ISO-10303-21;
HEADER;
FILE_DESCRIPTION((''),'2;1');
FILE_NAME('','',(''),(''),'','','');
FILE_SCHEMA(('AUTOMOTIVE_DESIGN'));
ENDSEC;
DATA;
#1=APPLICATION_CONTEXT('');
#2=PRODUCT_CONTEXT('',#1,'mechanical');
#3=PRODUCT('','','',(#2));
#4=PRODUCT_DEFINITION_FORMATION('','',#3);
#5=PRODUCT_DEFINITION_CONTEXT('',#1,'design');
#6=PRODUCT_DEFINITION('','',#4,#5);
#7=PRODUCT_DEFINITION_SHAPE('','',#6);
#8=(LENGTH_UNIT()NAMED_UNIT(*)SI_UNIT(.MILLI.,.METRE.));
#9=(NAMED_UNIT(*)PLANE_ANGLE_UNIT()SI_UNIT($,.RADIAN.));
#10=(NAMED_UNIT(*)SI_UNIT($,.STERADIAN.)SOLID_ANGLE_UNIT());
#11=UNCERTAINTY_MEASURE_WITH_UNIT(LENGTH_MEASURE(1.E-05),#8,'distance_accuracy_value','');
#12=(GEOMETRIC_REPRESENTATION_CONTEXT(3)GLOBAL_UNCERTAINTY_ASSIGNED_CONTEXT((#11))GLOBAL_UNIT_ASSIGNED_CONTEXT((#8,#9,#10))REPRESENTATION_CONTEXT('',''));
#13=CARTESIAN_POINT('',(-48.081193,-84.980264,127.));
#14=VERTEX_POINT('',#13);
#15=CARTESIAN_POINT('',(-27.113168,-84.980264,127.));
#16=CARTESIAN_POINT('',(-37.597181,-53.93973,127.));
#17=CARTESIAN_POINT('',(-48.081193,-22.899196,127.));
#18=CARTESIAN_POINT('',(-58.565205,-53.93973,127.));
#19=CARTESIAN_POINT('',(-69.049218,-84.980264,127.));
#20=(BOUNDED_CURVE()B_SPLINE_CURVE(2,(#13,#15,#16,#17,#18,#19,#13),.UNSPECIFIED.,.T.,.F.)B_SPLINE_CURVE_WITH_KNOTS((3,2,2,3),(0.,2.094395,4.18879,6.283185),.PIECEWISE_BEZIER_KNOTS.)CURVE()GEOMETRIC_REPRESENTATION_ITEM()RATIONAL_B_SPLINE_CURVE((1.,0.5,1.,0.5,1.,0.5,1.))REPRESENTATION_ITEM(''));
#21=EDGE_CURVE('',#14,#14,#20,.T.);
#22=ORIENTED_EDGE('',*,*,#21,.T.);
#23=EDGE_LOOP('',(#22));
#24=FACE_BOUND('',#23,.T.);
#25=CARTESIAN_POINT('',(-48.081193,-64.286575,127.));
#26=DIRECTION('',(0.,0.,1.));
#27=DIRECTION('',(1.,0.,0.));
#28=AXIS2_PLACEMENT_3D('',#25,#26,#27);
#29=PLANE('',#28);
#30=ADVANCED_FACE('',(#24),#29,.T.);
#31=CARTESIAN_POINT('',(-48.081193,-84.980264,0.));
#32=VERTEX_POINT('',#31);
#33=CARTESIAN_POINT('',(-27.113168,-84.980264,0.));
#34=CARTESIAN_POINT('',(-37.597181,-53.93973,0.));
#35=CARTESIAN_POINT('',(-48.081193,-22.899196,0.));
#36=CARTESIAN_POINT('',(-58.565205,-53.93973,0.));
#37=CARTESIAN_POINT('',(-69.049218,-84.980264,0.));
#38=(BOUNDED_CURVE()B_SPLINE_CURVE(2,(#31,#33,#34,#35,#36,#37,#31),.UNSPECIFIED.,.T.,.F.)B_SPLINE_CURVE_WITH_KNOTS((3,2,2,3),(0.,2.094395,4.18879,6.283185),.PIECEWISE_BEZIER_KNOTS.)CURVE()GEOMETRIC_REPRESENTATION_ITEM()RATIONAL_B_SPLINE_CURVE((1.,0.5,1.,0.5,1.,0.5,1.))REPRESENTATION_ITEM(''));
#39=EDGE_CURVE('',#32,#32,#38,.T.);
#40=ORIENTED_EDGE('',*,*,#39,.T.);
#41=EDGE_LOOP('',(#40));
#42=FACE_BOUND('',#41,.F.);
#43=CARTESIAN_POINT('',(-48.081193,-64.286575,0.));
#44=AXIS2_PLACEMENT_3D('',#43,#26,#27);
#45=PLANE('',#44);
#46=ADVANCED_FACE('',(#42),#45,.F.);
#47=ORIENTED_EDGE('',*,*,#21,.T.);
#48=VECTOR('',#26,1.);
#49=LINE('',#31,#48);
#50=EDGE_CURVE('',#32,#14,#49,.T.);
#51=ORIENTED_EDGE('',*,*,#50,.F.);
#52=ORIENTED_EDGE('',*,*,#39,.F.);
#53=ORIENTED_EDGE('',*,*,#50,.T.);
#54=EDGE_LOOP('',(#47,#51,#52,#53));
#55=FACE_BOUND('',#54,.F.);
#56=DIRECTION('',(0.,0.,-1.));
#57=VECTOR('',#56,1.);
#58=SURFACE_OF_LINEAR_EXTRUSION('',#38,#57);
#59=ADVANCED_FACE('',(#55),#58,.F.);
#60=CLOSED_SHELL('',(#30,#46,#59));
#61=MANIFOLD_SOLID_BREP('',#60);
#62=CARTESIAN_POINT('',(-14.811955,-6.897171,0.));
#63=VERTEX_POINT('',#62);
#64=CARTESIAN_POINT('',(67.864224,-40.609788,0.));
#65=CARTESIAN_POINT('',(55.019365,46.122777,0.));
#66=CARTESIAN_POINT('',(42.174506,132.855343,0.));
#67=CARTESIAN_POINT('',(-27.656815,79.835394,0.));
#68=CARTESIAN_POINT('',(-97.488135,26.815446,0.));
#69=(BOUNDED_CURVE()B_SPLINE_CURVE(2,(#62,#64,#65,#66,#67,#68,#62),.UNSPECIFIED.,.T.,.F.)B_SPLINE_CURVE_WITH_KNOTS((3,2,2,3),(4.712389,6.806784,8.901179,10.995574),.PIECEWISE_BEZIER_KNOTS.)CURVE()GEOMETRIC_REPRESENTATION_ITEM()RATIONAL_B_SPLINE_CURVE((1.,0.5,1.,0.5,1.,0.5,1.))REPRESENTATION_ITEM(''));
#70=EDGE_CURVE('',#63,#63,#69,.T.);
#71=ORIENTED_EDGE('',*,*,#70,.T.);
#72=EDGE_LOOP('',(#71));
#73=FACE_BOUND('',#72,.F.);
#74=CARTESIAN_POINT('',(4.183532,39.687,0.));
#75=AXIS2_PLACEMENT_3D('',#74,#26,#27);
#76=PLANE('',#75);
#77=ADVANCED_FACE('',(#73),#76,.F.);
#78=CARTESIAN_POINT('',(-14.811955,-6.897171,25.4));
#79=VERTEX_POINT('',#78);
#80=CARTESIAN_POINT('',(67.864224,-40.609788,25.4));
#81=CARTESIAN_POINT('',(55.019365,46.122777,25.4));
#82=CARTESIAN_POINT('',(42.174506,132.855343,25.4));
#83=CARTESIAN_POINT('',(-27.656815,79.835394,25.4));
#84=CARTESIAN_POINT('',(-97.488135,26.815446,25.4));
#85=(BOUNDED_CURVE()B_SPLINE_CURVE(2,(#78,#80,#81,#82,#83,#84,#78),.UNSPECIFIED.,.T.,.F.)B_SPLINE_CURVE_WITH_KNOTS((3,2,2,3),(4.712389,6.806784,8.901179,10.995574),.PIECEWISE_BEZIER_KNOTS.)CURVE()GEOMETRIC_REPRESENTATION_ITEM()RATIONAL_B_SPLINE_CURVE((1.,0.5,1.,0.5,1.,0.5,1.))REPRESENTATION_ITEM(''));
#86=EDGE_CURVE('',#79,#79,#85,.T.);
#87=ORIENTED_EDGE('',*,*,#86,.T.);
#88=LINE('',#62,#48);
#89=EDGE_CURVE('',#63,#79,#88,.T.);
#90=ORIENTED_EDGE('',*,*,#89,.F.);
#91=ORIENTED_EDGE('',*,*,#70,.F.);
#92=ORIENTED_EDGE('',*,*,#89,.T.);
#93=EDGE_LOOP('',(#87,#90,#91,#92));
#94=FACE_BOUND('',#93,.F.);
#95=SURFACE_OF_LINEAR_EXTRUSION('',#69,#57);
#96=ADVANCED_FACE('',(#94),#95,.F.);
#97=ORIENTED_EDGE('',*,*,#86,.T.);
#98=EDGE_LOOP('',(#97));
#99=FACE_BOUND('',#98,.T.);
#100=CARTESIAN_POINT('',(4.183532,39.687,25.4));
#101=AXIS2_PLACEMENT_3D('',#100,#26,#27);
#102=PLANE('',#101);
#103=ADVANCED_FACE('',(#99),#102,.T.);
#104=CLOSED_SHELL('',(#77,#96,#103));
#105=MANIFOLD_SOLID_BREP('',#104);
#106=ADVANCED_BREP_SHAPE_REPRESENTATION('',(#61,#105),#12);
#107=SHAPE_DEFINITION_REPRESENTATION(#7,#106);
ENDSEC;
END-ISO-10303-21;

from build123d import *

# Parameters (mm, degrees)
F1_DEPTH = 25.4
F3_DEPTH = 127


with BuildPart() as f1:
    # F0 (on Top) → F1 (new body)
    with BuildSketch(Plane.XY):
        with BuildLine():
            add(Edge.make_bspline(
                [(-14.811955, -6.897171), (67.864224, -40.609788), (55.019365, 46.122777), (42.174506, 132.855343), (-27.656815, 79.835394), (-97.488135, 26.815446), (-14.811955, -6.897171)],
                knots=[4.712389, 4.712389, 4.712389, 6.806784, 6.806784, 8.901179, 8.901179, 10.995574, 10.995574, 10.995574], degree=2, weights=[1, 0.5, 1, 0.5, 1, 0.5, 1]))
        make_face()
    extrude(amount=F1_DEPTH)


with BuildPart() as f3:
    # F2 (on Top) → F3 (new body)
    with BuildSketch(Plane.XY):
        with BuildLine():
            add(Edge.make_bspline(
                [(-48.081193, -84.980264), (-27.113168, -84.980264), (-37.597181, -53.93973), (-48.081193, -22.899196), (-58.565205, -53.93973), (-69.049218, -84.980264), (-48.081193, -84.980264)],
                knots=[0, 0, 0, 2.094395, 2.094395, 4.18879, 4.18879, 6.283185, 6.283185, 6.283185], degree=2, weights=[1, 0.5, 1, 0.5, 1, 0.5, 1]))
        make_face()
    extrude(amount=F3_DEPTH)


solid = Compound([f1.part, f3.part])
